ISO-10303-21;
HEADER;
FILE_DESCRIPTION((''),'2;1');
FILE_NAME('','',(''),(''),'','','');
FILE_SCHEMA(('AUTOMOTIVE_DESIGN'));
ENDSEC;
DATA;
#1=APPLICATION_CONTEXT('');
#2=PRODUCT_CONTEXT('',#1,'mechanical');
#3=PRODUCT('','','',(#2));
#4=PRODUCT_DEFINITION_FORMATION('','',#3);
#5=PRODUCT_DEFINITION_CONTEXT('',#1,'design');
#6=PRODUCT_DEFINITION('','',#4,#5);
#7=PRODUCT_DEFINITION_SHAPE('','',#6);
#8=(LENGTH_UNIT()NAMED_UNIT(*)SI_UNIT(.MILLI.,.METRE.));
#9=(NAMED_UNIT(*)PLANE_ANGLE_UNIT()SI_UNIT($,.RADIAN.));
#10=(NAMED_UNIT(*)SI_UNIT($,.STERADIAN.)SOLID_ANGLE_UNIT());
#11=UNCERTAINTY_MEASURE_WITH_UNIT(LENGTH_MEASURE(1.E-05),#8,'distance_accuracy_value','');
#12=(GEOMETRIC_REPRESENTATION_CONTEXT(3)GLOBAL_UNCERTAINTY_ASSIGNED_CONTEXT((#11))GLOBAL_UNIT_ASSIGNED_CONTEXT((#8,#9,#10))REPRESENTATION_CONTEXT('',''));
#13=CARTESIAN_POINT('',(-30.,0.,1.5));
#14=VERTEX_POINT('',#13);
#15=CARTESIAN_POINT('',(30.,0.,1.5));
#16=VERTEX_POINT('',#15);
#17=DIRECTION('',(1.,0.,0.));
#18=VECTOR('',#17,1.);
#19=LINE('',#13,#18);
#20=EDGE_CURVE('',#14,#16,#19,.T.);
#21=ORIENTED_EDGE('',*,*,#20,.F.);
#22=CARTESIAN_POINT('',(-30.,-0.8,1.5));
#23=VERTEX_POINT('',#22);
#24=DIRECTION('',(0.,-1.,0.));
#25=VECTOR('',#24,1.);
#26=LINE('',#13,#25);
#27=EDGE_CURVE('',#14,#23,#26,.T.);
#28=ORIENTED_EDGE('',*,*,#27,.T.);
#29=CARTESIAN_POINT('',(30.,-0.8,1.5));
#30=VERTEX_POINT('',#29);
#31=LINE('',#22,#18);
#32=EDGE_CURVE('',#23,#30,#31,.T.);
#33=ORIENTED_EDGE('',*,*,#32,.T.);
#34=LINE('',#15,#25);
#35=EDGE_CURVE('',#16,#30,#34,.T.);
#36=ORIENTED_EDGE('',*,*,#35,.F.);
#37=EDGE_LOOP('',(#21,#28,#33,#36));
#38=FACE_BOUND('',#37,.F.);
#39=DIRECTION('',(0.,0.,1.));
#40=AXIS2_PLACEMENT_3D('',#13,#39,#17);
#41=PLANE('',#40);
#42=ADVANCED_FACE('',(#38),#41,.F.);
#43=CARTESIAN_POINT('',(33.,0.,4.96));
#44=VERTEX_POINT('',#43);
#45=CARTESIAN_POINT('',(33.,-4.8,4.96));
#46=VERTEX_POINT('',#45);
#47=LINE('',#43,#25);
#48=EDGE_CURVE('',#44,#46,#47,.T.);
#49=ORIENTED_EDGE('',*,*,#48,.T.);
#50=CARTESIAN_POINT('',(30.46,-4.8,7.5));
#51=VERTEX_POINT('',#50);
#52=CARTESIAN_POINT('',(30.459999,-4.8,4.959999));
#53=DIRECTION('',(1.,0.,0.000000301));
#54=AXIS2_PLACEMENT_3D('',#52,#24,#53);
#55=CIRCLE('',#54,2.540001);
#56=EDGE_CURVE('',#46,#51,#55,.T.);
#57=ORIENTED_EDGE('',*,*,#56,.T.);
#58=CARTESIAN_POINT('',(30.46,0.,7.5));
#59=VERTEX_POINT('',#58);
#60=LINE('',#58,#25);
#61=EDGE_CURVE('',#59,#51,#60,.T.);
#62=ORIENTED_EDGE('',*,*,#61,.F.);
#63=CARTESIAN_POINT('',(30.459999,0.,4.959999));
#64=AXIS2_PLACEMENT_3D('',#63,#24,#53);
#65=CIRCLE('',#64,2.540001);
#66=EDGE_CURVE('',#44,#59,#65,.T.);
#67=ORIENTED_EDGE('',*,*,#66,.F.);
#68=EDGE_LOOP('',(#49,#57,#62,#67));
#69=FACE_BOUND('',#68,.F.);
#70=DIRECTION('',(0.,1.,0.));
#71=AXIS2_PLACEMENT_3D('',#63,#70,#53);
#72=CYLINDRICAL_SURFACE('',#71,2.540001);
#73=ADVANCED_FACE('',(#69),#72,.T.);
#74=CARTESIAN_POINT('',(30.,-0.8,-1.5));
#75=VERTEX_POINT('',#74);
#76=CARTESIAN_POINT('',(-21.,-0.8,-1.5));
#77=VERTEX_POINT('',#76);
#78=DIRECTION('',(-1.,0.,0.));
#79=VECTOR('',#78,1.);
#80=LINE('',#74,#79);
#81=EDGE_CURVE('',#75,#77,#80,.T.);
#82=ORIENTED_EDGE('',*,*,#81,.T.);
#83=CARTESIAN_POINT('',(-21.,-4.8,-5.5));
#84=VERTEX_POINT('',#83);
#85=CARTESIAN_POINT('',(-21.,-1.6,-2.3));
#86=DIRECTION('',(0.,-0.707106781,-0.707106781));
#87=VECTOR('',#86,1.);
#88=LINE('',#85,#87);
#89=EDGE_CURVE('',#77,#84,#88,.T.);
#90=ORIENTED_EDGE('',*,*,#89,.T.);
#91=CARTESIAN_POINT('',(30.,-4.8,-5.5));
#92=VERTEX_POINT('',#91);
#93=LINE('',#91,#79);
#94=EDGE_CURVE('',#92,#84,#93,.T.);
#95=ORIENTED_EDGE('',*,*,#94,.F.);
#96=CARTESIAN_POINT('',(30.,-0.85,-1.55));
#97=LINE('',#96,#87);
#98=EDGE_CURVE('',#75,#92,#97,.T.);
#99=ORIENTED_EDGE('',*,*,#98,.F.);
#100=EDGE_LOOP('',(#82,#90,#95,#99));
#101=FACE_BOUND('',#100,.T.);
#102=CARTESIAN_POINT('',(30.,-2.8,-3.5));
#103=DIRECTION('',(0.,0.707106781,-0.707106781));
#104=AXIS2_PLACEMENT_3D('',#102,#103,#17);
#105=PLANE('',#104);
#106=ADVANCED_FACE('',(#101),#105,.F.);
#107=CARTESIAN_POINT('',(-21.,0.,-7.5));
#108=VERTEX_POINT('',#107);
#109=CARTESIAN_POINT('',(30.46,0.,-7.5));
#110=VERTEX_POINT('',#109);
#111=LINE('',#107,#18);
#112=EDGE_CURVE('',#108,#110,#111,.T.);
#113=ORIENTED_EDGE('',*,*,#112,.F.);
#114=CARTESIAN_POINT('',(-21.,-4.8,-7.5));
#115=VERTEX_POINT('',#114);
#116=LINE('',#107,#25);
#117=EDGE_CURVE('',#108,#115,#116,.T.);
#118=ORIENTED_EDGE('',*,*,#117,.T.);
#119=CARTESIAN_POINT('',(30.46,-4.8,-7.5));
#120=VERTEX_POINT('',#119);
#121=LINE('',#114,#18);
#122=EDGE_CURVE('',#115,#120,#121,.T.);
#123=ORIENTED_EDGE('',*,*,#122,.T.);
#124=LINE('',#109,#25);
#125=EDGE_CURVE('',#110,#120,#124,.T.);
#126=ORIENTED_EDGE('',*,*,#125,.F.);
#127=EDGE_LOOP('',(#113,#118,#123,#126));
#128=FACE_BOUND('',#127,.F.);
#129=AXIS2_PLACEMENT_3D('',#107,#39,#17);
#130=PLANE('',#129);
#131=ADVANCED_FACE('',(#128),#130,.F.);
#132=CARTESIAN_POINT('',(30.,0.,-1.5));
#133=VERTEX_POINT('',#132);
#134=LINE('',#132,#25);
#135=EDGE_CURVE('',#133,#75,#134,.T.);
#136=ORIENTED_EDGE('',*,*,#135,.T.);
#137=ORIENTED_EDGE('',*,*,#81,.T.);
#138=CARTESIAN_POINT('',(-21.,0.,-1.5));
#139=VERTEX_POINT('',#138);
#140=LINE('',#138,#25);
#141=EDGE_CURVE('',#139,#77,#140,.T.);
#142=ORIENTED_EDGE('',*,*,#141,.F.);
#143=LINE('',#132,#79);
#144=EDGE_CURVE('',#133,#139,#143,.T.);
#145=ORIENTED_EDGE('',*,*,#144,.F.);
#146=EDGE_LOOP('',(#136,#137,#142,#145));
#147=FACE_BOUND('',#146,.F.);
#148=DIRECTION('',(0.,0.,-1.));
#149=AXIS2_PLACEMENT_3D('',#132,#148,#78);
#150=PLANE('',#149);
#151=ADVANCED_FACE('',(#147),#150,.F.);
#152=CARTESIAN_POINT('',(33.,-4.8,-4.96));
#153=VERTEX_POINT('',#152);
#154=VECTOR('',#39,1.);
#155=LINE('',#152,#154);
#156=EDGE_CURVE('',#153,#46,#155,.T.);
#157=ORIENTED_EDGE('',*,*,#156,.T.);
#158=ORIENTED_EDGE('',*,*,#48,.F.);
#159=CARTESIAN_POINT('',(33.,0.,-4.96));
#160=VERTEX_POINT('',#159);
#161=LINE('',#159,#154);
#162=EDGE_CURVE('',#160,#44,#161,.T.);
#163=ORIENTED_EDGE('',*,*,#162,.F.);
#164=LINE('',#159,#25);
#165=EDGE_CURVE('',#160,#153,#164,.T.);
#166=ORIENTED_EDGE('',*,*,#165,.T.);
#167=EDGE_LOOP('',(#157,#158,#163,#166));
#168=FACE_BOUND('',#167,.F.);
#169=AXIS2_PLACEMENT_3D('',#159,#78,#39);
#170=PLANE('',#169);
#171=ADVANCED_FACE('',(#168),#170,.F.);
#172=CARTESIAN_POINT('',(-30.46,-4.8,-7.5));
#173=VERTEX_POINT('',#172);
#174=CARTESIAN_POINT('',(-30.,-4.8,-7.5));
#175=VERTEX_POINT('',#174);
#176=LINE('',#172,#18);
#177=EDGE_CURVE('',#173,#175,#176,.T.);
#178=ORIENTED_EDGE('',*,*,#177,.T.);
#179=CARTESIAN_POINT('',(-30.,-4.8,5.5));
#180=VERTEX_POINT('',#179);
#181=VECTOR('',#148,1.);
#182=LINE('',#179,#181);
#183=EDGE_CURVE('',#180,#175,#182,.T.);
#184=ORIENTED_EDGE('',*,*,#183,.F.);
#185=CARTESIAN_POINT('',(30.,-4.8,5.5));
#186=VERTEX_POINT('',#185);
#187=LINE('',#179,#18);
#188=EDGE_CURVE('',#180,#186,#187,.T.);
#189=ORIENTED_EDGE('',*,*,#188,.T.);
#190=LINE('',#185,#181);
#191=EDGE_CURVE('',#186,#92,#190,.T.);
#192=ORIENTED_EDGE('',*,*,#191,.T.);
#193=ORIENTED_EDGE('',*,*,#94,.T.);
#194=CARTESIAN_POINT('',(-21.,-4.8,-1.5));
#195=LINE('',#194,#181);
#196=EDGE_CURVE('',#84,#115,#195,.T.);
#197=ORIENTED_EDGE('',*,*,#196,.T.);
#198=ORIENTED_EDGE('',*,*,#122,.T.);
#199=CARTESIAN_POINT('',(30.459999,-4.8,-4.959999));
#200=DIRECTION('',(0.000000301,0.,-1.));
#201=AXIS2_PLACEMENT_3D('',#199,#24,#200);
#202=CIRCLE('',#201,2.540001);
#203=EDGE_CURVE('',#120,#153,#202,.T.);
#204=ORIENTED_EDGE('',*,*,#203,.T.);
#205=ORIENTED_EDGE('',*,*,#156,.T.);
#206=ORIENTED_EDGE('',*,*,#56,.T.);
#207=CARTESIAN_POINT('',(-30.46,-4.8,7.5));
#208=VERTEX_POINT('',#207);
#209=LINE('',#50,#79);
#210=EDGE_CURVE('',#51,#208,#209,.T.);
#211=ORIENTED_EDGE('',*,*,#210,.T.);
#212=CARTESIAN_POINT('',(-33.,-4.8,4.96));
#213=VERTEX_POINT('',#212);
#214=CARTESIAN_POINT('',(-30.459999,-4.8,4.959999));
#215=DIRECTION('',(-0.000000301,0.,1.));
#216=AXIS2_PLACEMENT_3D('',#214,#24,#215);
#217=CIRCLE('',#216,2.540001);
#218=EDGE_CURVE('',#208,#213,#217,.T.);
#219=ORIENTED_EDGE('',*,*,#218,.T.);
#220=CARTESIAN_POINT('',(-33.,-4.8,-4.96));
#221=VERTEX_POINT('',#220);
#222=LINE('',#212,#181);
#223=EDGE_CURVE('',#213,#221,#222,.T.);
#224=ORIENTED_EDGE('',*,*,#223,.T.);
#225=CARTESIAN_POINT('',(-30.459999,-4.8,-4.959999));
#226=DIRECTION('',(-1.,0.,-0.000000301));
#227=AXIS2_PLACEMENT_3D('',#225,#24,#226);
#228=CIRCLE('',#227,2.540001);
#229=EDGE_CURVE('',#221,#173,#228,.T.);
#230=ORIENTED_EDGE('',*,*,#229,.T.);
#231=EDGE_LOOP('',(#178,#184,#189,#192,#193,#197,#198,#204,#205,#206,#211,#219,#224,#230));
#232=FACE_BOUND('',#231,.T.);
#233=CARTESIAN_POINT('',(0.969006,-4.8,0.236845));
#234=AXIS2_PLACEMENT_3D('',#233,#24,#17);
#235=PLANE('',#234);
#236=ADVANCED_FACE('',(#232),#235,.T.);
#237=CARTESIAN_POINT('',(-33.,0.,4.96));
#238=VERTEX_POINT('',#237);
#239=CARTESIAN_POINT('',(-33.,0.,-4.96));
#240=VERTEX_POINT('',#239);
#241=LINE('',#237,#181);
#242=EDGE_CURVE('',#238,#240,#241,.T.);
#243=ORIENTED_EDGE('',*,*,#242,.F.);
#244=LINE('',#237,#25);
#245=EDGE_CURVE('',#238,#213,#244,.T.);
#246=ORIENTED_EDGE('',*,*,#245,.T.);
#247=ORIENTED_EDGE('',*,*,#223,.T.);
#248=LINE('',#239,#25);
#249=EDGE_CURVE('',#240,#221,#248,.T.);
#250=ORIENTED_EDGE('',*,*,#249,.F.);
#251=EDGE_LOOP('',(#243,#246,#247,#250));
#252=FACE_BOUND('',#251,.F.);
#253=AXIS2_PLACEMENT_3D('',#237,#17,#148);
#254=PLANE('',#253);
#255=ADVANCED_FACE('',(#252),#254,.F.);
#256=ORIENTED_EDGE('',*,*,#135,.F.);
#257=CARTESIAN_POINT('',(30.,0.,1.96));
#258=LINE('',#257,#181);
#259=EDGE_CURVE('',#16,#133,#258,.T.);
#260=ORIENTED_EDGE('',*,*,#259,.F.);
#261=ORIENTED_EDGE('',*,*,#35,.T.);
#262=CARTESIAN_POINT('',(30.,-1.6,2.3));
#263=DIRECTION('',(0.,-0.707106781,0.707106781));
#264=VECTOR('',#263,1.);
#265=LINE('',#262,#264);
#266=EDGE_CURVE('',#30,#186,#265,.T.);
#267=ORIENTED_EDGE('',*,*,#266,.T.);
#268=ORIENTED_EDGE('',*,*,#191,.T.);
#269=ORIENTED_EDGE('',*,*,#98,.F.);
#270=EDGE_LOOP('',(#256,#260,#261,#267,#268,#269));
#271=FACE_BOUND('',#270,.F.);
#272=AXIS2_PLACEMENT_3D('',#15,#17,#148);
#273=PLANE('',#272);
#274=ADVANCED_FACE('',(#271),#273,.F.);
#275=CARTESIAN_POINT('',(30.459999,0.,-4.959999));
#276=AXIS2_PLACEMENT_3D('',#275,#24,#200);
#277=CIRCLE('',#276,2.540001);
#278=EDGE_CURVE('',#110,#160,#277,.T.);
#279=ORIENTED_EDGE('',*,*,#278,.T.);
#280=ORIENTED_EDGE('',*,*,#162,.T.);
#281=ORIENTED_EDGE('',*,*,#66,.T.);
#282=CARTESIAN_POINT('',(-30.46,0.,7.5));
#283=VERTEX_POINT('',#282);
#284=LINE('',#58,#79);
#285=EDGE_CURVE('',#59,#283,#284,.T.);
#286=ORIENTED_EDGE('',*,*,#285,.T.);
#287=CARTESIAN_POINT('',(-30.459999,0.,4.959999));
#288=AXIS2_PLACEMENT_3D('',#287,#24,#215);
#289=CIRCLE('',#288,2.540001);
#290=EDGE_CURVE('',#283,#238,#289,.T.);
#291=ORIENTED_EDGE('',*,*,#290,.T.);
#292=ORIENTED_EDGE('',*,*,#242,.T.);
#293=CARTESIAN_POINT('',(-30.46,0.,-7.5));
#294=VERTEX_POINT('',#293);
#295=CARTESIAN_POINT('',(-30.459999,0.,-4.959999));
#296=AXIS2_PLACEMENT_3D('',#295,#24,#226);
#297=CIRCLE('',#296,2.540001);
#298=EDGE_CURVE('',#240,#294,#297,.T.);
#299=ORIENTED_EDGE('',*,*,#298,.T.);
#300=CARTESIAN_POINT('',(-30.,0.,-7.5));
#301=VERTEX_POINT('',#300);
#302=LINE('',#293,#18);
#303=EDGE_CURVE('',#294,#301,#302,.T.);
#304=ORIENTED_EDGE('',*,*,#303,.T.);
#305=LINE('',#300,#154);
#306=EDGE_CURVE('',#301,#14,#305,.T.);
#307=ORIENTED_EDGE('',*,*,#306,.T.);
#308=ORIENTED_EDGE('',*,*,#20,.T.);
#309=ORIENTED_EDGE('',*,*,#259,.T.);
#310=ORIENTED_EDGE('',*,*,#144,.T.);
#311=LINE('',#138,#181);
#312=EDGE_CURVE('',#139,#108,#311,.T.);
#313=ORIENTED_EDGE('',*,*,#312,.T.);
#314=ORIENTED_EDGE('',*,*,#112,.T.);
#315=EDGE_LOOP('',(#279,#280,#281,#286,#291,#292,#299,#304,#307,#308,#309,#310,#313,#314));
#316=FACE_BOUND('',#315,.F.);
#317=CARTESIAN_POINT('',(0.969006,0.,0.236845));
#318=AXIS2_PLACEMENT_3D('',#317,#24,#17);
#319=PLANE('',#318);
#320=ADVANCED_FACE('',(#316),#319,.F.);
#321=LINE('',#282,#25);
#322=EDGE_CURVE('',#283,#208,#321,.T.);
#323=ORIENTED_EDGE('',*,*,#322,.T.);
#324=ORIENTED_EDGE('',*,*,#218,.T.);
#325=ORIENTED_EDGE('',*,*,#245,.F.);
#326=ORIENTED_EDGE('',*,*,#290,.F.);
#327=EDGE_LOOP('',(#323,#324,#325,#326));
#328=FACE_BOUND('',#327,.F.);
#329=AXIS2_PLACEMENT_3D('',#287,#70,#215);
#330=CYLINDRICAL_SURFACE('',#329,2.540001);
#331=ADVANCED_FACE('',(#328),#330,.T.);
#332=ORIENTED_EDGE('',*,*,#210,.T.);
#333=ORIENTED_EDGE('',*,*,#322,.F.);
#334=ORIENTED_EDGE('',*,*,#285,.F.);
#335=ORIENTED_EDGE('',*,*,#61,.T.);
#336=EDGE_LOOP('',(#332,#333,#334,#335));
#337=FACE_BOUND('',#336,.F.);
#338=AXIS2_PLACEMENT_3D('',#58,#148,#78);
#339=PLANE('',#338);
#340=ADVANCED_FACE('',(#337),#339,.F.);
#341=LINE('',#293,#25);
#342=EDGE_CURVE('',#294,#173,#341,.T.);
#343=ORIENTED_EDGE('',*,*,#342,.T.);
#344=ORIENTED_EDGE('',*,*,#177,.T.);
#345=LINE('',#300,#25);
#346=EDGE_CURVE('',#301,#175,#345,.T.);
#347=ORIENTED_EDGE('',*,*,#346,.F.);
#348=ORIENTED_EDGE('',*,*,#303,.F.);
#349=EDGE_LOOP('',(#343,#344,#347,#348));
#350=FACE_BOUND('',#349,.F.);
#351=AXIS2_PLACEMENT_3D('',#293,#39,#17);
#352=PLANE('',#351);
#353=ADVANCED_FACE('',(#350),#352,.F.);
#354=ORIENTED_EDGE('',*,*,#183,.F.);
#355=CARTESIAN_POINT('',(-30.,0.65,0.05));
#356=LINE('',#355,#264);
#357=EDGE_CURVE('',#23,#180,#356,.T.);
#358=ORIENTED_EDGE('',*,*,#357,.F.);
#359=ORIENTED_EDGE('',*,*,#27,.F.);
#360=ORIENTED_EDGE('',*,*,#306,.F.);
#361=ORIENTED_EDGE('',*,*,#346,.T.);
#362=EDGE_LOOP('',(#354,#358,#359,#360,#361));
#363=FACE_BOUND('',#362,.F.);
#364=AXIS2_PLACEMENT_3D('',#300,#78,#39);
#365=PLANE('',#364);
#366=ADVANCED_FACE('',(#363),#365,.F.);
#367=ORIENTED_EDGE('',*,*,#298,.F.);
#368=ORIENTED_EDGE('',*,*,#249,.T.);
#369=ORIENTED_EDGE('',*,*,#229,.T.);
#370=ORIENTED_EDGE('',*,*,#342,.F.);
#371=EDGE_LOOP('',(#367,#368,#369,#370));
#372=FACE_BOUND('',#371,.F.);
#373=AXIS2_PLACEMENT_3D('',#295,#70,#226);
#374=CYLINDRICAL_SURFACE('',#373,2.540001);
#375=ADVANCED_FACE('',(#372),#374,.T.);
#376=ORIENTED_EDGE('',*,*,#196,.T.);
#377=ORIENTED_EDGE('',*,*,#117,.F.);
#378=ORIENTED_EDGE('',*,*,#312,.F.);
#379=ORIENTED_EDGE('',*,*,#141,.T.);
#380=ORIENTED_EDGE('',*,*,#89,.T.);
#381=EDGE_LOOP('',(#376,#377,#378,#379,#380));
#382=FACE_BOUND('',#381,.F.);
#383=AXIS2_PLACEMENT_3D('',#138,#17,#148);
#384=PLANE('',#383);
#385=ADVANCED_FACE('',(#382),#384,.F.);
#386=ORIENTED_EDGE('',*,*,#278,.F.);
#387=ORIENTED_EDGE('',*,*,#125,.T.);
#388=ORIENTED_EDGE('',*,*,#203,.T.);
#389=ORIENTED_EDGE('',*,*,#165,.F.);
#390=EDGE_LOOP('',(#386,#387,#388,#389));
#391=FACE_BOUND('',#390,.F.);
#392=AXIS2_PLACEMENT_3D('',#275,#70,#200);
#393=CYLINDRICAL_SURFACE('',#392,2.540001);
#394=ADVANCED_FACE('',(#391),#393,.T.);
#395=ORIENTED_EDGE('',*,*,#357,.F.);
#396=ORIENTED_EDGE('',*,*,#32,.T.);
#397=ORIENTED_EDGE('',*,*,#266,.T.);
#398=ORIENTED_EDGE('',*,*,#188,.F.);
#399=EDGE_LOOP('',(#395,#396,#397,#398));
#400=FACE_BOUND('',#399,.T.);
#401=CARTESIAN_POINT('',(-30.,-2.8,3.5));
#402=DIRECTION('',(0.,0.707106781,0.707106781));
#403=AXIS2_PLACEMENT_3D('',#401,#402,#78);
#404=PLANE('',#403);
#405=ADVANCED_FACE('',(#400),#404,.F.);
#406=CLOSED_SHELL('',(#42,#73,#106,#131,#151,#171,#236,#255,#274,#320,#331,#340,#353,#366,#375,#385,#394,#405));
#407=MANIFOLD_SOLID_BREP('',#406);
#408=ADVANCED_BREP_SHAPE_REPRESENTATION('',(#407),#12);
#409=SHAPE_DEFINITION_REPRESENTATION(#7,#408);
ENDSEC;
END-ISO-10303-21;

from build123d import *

# Parameters (mm, degrees)
F1_DEPTH = 4.8
F2_SIZE2 = 4
F2_SIZE  = 4


with BuildPart() as f1:
    # F0 (on Front) → F1 (new body)
    with BuildSketch(Plane.XZ):
        with BuildLine():
            ThreePointArc((33, 4.96), (32.256051, 6.756051), (30.46, 7.5))
            Line((30.46, 7.5), (-30.46, 7.5))
            ThreePointArc((-30.46, 7.5), (-32.256051, 6.756051), (-33, 4.96))
            Line((-33, 4.96), (-33, -4.96))
            ThreePointArc((-33, -4.96), (-32.256051, -6.756051), (-30.46, -7.5))
            Line((-30.46, -7.5), (-30, -7.5))
            Line((-30, -7.5), (-30, -1.96))
            Line((-30, -1.96), (-30, -1.5))
            Line((-30, -1.5), (-30, 1.5))
            Line((-30, 1.5), (-30, 1.96))
            ThreePointArc((-30, 1.96), (-29.256051, 3.756051), (-27.46, 4.5))
            Line((-27.46, 4.5), (27.46, 4.5))
            ThreePointArc((27.46, 4.5), (29.256051, 3.756051), (30, 1.96))
            Line((30, 1.96), (30, 1.5))
            Line((30, 1.5), (30, -1.5))
            Line((30, -1.5), (30, -1.96))
            ThreePointArc((30, -1.96), (29.256051, -3.756051), (27.46, -4.5))
            Line((27.46, -4.5), (-21, -4.5))
            Line((-21, -4.5), (-21, -7.5))
            Line((-21, -7.5), (30.46, -7.5))
            ThreePointArc((30.46, -7.5), (32.256051, -6.756051), (33, -4.96))
            Line((33, -4.96), (33, 4.96))
        make_face()
        with BuildLine():
            Line((-21, -1.5), (-21, -4.5))
            Line((-21, -4.5), (27.46, -4.5))
            ThreePointArc((27.46, -4.5), (29.256051, -3.756051), (30, -1.96))
            Line((30, -1.96), (30, -1.5))
            Line((30, -1.5), (-21, -1.5))
        make_face()
        with BuildLine():
            Line((-30, 1.5), (-21, 1.5))
            Line((-21, 1.5), (30, 1.5))
            Line((30, 1.5), (30, 1.96))
            ThreePointArc((30, 1.96), (29.256051, 3.756051), (27.46, 4.5))
            Line((27.46, 4.5), (-27.46, 4.5))
            ThreePointArc((-27.46, 4.5), (-29.256051, 3.756051), (-30, 1.96))
            Line((-30, 1.96), (-30, 1.5))
        make_face()
    extrude(amount=F1_DEPTH)

    # F2
    f2_edges = [f1.edges().sort_by_distance(p)[0] for p in [
        (0, -4.8, 1.5),
        (4.5, -4.8, -1.5),
    ]]
    chamfer(f2_edges, length=F2_SIZE, length2=F2_SIZE2)


solid = f1.part
